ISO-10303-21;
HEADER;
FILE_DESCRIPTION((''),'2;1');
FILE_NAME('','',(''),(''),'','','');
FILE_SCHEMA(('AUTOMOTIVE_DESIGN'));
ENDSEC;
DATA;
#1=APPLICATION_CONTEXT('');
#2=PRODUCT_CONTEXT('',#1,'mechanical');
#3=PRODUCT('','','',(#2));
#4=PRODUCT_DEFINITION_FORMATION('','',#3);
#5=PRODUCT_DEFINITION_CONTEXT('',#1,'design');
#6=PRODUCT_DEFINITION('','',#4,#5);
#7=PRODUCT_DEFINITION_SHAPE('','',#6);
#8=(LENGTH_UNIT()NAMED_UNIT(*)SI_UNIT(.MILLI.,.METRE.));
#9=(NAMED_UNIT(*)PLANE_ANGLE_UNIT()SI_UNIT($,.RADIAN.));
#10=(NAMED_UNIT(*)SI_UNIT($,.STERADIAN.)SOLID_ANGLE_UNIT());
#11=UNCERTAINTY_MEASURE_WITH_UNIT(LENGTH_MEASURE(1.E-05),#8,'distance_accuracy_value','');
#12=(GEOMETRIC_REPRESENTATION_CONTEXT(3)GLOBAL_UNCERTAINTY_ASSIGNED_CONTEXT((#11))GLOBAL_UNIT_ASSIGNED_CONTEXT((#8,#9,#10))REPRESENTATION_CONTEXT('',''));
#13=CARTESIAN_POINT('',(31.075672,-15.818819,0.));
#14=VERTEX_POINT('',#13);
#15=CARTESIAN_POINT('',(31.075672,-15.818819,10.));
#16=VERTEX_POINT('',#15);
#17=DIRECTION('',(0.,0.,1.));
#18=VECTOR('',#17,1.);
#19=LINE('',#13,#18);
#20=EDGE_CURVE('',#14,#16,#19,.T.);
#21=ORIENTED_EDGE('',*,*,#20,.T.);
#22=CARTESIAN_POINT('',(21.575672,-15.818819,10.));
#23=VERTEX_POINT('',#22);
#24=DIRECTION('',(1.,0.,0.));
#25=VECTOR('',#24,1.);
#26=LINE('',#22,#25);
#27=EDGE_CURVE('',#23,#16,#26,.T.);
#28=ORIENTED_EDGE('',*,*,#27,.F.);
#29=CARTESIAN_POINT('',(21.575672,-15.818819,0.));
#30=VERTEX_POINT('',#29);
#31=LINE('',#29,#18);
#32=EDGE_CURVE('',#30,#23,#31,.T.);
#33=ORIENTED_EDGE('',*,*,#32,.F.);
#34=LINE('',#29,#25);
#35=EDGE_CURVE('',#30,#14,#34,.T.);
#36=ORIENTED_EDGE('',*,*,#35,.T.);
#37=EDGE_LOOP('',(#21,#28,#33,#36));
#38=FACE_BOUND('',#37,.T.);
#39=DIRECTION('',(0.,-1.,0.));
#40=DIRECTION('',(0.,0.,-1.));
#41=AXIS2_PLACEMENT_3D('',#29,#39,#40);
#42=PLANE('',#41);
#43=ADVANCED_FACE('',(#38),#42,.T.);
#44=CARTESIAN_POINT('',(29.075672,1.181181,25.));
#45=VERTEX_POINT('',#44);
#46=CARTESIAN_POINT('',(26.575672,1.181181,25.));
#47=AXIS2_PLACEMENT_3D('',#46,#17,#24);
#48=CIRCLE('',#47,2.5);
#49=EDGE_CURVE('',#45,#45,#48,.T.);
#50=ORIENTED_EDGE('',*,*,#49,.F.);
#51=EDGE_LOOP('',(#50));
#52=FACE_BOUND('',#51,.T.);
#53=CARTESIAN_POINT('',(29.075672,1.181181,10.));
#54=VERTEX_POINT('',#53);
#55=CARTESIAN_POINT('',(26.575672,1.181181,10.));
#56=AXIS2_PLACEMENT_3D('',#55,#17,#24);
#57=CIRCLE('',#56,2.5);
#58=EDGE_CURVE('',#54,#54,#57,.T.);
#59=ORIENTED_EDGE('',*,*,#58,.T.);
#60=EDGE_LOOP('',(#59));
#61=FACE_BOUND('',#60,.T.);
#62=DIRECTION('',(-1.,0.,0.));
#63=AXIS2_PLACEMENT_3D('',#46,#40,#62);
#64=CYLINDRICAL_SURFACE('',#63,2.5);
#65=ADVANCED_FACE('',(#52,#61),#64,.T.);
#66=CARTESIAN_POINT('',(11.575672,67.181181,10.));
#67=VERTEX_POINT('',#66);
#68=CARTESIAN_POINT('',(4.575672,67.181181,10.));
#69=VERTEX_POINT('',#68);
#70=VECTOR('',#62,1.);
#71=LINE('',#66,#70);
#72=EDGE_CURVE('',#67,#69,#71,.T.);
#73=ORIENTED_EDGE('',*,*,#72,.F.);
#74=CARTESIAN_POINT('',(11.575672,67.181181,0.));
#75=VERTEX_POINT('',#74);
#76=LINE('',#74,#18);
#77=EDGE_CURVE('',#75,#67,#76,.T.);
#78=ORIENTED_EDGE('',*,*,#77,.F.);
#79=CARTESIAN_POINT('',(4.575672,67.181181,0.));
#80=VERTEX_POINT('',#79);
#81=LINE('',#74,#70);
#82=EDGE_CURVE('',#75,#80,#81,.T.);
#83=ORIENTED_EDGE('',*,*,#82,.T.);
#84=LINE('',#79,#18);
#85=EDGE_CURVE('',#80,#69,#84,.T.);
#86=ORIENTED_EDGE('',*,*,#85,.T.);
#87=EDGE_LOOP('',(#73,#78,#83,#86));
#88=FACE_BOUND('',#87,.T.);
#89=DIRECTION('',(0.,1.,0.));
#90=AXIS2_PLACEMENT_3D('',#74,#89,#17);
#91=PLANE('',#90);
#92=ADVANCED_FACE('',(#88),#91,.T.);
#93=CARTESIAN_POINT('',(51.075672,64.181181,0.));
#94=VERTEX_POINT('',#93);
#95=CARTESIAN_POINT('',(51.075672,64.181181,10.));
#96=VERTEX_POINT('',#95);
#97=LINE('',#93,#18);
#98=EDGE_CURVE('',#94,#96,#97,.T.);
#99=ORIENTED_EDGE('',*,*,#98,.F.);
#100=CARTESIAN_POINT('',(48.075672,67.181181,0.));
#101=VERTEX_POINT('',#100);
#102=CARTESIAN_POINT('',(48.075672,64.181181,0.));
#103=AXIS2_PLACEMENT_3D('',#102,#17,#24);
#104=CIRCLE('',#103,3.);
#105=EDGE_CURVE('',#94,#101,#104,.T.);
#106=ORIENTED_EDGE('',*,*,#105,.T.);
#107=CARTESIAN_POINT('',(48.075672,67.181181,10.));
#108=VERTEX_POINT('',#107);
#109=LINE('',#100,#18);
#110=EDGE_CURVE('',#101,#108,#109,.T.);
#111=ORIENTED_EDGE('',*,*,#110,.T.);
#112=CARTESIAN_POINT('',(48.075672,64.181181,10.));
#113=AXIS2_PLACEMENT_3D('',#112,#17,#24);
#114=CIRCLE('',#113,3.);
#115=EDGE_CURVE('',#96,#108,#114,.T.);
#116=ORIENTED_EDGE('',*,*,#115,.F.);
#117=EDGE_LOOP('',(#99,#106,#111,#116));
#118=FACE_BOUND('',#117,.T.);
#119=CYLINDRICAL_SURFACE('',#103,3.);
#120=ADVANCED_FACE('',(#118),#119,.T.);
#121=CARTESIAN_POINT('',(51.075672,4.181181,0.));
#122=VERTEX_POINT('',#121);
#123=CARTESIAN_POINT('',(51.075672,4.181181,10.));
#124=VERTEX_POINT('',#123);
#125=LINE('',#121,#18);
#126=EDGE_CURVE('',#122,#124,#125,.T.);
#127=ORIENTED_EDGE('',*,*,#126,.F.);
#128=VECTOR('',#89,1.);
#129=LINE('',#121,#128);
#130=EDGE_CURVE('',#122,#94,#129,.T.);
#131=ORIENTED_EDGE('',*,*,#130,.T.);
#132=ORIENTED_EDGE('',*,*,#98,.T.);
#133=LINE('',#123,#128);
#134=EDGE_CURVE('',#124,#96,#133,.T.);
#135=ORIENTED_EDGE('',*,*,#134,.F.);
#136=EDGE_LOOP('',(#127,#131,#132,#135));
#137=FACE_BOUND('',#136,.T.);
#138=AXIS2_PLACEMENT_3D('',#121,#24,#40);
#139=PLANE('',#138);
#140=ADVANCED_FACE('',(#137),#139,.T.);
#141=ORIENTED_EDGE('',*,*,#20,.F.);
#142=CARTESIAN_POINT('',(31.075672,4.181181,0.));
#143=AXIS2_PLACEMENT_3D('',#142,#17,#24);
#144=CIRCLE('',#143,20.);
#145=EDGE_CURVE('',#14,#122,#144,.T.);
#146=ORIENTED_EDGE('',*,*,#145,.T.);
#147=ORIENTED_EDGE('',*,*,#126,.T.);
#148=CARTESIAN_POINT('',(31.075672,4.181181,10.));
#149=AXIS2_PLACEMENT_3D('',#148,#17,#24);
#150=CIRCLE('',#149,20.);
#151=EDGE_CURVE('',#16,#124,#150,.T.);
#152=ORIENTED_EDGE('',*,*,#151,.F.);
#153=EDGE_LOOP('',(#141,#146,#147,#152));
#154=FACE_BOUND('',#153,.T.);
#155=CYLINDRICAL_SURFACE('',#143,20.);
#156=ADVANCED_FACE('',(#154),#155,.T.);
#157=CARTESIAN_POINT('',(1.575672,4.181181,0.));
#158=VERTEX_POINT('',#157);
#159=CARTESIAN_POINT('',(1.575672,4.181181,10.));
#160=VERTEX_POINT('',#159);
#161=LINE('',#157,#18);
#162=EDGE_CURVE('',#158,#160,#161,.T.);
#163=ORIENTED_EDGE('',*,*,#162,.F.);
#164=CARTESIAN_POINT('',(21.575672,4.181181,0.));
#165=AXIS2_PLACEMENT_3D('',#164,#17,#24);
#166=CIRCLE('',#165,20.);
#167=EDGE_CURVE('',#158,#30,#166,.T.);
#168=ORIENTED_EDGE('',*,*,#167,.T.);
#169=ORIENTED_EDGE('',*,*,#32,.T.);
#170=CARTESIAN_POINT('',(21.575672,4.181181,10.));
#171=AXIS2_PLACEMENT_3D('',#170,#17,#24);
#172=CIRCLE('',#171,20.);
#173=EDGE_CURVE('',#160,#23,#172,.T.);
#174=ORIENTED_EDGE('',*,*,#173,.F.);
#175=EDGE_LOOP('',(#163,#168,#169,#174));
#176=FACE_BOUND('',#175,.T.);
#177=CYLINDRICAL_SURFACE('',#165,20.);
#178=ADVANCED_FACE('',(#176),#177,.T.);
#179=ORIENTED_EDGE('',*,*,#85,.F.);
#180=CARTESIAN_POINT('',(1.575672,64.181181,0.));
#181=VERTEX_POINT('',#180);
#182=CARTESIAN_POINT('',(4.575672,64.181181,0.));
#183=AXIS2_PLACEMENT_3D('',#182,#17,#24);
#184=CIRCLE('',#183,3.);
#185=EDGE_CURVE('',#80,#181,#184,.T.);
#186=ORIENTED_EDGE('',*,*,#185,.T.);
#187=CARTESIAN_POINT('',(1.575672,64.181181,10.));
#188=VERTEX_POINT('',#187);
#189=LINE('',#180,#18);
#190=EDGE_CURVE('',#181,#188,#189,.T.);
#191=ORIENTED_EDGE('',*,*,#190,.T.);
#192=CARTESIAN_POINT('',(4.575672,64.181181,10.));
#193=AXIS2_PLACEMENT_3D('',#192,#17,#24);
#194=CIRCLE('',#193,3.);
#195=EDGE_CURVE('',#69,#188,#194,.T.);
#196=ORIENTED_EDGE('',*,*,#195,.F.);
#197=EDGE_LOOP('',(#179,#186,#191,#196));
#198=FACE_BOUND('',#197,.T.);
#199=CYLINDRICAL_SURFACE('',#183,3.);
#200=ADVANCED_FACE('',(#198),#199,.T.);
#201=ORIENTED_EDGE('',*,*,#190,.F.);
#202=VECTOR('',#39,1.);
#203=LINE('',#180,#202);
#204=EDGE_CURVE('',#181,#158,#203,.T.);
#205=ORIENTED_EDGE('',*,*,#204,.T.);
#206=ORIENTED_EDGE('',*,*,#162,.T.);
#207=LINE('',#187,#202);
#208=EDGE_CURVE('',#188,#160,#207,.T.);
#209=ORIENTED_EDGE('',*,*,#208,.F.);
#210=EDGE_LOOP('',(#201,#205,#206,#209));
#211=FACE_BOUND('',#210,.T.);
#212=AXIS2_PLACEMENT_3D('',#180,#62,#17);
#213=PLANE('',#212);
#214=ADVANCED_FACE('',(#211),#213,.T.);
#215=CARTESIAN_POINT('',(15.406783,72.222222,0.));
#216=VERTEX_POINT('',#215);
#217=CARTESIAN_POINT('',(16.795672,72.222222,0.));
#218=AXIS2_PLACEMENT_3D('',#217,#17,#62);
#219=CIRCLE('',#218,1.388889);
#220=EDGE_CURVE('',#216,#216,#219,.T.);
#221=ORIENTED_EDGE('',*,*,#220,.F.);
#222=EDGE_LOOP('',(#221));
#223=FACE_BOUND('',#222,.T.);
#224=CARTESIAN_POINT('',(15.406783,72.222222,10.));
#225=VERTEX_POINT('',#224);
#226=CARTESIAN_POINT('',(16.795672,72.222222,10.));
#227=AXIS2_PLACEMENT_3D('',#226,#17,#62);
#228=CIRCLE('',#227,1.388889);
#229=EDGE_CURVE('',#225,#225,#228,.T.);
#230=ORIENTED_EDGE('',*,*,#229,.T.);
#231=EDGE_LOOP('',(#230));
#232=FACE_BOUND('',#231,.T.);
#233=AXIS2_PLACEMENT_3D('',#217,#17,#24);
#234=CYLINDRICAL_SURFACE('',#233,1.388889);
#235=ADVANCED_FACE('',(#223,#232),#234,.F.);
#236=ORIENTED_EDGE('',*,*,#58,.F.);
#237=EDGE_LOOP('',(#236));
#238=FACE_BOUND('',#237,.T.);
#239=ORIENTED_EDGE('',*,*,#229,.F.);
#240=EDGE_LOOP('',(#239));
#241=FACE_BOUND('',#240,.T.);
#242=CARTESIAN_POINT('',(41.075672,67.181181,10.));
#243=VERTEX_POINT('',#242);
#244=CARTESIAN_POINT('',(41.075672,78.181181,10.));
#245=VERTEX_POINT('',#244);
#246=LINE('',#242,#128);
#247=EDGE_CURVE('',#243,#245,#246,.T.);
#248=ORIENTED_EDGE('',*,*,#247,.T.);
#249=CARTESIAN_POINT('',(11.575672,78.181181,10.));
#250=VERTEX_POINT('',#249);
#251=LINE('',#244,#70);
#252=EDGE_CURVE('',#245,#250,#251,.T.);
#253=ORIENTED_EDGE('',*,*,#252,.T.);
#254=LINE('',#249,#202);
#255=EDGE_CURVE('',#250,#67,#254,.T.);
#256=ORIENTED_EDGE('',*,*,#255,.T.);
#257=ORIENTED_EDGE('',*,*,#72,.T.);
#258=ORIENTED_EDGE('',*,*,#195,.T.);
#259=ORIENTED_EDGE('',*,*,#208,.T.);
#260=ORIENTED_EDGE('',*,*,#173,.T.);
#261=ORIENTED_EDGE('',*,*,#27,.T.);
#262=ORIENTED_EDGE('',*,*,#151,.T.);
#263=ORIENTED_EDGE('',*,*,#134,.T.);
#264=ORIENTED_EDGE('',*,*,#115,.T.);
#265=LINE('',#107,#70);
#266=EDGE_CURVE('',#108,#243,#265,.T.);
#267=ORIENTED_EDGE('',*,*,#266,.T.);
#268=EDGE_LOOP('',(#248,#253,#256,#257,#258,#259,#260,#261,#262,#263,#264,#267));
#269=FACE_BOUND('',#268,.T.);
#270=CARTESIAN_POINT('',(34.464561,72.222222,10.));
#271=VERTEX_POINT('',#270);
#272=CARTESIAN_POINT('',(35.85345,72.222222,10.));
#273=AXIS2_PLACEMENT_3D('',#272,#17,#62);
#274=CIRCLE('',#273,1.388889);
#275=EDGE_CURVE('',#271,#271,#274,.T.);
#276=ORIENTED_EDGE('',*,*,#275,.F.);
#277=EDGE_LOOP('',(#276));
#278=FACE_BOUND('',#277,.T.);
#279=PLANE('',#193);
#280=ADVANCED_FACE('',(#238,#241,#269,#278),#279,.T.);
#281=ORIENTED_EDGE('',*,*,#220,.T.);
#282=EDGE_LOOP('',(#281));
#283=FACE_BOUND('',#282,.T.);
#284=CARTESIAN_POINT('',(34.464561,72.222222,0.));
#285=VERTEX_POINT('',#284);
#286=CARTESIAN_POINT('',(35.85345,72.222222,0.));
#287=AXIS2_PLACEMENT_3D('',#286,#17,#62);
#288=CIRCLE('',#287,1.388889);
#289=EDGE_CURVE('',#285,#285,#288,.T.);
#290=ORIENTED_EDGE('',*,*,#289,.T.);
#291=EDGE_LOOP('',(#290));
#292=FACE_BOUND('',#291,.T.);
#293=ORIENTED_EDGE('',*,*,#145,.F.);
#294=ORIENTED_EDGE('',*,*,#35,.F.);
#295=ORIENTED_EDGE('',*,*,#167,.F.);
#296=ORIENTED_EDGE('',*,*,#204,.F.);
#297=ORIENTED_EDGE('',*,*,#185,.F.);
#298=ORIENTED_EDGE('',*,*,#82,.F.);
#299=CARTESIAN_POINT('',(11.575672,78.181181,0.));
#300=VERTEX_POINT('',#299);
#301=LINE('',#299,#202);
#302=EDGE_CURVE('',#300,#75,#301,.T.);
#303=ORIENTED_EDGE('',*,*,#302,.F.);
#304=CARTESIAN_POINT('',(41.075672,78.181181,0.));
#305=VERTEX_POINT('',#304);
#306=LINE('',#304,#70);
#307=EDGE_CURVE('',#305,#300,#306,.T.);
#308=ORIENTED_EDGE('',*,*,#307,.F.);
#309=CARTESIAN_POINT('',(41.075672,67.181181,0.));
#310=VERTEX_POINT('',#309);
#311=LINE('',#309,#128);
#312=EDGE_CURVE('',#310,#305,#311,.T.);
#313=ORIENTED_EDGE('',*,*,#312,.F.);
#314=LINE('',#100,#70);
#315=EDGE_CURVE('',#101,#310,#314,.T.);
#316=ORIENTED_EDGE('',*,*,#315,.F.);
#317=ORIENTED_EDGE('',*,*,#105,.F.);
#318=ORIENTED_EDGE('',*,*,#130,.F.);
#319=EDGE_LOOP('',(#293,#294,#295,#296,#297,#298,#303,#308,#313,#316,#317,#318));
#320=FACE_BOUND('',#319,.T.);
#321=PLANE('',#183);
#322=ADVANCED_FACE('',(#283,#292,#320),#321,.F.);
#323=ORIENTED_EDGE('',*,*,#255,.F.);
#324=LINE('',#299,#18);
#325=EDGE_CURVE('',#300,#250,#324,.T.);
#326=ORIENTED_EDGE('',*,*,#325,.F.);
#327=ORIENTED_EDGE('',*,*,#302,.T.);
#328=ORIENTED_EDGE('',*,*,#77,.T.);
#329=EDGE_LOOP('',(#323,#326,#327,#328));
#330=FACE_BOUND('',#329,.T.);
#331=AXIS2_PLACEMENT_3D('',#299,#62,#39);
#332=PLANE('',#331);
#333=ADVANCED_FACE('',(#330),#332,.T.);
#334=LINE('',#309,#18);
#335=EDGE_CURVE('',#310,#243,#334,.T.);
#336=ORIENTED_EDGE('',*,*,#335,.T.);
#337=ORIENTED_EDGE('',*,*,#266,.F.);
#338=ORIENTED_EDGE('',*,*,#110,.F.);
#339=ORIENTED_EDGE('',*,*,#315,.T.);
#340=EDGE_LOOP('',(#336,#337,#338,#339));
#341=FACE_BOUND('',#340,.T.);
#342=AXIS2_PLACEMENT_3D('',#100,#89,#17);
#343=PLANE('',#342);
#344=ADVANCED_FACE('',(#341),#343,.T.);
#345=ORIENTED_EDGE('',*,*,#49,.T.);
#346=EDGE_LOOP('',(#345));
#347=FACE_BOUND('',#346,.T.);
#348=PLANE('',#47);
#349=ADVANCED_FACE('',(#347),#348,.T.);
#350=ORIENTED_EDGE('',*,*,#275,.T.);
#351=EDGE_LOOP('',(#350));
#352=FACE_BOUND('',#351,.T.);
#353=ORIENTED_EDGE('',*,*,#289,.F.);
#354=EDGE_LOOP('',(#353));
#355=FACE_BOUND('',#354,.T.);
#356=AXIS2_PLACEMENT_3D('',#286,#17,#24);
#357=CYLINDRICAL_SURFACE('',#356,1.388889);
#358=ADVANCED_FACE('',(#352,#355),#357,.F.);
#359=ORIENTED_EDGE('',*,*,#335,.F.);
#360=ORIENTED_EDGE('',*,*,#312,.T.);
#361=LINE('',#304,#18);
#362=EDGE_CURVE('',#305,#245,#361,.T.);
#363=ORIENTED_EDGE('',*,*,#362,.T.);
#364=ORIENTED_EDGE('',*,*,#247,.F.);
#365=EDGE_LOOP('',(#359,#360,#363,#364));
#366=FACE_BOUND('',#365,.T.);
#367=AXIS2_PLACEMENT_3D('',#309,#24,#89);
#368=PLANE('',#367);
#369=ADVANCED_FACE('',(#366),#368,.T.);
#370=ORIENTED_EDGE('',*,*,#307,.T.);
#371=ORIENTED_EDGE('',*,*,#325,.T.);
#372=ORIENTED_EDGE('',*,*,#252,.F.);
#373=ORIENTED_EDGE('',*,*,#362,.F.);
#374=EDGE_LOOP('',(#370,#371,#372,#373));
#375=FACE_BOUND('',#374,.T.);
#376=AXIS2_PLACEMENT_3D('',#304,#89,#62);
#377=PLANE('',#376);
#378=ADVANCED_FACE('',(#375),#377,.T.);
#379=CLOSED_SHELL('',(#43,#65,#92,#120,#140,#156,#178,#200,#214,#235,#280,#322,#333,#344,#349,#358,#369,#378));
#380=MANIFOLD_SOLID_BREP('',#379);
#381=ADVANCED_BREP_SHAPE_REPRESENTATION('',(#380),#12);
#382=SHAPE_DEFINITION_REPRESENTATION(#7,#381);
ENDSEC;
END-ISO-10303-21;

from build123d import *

# Parameters (mm, degrees)
IZIM1_R                     = 1.388888889
Y_KSEKLIK_EKSTR_ZYON1_DEPTH = 10
IZIM2_R                     = 2.5
Y_KSEKLIK_EKSTR_ZYON2_DEPTH = 15


with BuildPart() as part:
    # Çizim1 → Yükseklik-Ekstrüzyon1 (new body)
    with BuildSketch(Plane.XY.offset(10)):
        with BuildLine():
            Line((11.575672227, 67.181181276), (4.575672227, 67.181181276))
            ThreePointArc((4.575672227, 67.181181276), (2.454351883, 66.30250162), (1.575672227, 64.181181276))
            Line((1.575672227, 64.181181276), (1.575672227, 4.181181276))
            ThreePointArc((1.575672227, 4.181181276), (7.433536603, -9.960954347), (21.575672227, -15.818818724))
            Line((21.575672227, -15.818818724), (31.075672227, -15.818818724))
            ThreePointArc((31.075672227, -15.818818724), (45.21780785, -9.960954347), (51.075672227, 4.181181276))
            Line((51.075672227, 4.181181276), (51.075672227, 64.181181276))
            ThreePointArc((51.075672227, 64.181181276), (50.19699257, 66.30250162), (48.075672227, 67.181181276))
            Line((48.075672227, 67.181181276), (41.075672227, 67.181181276))
            Line((41.075672227, 67.181181276), (41.075672227, 78.181181276))
            Line((41.075672227, 78.181181276), (11.575672227, 78.181181276))
            Line((11.575672227, 78.181181276), (11.575672227, 67.181181276))
        make_face()
        with Locations(Location((16.795672227, 72.222222222, 0), (0, 0, 180))):
            Circle(IZIM1_R, mode=Mode.SUBTRACT)
        with Locations(Location((35.853450004, 72.222222222, 0), (0, 0, 180))):
            Circle(IZIM1_R, mode=Mode.SUBTRACT)
    extrude(amount=-Y_KSEKLIK_EKSTR_ZYON1_DEPTH)

    # Çizim2 → Yükseklik-Ekstrüzyon2 (add)
    with BuildSketch(Plane.XY.offset(10)):
        with Locations((26.575672227, 1.181181276)):
            Circle(IZIM2_R)
    extrude(amount=Y_KSEKLIK_EKSTR_ZYON2_DEPTH)


solid = part.part
